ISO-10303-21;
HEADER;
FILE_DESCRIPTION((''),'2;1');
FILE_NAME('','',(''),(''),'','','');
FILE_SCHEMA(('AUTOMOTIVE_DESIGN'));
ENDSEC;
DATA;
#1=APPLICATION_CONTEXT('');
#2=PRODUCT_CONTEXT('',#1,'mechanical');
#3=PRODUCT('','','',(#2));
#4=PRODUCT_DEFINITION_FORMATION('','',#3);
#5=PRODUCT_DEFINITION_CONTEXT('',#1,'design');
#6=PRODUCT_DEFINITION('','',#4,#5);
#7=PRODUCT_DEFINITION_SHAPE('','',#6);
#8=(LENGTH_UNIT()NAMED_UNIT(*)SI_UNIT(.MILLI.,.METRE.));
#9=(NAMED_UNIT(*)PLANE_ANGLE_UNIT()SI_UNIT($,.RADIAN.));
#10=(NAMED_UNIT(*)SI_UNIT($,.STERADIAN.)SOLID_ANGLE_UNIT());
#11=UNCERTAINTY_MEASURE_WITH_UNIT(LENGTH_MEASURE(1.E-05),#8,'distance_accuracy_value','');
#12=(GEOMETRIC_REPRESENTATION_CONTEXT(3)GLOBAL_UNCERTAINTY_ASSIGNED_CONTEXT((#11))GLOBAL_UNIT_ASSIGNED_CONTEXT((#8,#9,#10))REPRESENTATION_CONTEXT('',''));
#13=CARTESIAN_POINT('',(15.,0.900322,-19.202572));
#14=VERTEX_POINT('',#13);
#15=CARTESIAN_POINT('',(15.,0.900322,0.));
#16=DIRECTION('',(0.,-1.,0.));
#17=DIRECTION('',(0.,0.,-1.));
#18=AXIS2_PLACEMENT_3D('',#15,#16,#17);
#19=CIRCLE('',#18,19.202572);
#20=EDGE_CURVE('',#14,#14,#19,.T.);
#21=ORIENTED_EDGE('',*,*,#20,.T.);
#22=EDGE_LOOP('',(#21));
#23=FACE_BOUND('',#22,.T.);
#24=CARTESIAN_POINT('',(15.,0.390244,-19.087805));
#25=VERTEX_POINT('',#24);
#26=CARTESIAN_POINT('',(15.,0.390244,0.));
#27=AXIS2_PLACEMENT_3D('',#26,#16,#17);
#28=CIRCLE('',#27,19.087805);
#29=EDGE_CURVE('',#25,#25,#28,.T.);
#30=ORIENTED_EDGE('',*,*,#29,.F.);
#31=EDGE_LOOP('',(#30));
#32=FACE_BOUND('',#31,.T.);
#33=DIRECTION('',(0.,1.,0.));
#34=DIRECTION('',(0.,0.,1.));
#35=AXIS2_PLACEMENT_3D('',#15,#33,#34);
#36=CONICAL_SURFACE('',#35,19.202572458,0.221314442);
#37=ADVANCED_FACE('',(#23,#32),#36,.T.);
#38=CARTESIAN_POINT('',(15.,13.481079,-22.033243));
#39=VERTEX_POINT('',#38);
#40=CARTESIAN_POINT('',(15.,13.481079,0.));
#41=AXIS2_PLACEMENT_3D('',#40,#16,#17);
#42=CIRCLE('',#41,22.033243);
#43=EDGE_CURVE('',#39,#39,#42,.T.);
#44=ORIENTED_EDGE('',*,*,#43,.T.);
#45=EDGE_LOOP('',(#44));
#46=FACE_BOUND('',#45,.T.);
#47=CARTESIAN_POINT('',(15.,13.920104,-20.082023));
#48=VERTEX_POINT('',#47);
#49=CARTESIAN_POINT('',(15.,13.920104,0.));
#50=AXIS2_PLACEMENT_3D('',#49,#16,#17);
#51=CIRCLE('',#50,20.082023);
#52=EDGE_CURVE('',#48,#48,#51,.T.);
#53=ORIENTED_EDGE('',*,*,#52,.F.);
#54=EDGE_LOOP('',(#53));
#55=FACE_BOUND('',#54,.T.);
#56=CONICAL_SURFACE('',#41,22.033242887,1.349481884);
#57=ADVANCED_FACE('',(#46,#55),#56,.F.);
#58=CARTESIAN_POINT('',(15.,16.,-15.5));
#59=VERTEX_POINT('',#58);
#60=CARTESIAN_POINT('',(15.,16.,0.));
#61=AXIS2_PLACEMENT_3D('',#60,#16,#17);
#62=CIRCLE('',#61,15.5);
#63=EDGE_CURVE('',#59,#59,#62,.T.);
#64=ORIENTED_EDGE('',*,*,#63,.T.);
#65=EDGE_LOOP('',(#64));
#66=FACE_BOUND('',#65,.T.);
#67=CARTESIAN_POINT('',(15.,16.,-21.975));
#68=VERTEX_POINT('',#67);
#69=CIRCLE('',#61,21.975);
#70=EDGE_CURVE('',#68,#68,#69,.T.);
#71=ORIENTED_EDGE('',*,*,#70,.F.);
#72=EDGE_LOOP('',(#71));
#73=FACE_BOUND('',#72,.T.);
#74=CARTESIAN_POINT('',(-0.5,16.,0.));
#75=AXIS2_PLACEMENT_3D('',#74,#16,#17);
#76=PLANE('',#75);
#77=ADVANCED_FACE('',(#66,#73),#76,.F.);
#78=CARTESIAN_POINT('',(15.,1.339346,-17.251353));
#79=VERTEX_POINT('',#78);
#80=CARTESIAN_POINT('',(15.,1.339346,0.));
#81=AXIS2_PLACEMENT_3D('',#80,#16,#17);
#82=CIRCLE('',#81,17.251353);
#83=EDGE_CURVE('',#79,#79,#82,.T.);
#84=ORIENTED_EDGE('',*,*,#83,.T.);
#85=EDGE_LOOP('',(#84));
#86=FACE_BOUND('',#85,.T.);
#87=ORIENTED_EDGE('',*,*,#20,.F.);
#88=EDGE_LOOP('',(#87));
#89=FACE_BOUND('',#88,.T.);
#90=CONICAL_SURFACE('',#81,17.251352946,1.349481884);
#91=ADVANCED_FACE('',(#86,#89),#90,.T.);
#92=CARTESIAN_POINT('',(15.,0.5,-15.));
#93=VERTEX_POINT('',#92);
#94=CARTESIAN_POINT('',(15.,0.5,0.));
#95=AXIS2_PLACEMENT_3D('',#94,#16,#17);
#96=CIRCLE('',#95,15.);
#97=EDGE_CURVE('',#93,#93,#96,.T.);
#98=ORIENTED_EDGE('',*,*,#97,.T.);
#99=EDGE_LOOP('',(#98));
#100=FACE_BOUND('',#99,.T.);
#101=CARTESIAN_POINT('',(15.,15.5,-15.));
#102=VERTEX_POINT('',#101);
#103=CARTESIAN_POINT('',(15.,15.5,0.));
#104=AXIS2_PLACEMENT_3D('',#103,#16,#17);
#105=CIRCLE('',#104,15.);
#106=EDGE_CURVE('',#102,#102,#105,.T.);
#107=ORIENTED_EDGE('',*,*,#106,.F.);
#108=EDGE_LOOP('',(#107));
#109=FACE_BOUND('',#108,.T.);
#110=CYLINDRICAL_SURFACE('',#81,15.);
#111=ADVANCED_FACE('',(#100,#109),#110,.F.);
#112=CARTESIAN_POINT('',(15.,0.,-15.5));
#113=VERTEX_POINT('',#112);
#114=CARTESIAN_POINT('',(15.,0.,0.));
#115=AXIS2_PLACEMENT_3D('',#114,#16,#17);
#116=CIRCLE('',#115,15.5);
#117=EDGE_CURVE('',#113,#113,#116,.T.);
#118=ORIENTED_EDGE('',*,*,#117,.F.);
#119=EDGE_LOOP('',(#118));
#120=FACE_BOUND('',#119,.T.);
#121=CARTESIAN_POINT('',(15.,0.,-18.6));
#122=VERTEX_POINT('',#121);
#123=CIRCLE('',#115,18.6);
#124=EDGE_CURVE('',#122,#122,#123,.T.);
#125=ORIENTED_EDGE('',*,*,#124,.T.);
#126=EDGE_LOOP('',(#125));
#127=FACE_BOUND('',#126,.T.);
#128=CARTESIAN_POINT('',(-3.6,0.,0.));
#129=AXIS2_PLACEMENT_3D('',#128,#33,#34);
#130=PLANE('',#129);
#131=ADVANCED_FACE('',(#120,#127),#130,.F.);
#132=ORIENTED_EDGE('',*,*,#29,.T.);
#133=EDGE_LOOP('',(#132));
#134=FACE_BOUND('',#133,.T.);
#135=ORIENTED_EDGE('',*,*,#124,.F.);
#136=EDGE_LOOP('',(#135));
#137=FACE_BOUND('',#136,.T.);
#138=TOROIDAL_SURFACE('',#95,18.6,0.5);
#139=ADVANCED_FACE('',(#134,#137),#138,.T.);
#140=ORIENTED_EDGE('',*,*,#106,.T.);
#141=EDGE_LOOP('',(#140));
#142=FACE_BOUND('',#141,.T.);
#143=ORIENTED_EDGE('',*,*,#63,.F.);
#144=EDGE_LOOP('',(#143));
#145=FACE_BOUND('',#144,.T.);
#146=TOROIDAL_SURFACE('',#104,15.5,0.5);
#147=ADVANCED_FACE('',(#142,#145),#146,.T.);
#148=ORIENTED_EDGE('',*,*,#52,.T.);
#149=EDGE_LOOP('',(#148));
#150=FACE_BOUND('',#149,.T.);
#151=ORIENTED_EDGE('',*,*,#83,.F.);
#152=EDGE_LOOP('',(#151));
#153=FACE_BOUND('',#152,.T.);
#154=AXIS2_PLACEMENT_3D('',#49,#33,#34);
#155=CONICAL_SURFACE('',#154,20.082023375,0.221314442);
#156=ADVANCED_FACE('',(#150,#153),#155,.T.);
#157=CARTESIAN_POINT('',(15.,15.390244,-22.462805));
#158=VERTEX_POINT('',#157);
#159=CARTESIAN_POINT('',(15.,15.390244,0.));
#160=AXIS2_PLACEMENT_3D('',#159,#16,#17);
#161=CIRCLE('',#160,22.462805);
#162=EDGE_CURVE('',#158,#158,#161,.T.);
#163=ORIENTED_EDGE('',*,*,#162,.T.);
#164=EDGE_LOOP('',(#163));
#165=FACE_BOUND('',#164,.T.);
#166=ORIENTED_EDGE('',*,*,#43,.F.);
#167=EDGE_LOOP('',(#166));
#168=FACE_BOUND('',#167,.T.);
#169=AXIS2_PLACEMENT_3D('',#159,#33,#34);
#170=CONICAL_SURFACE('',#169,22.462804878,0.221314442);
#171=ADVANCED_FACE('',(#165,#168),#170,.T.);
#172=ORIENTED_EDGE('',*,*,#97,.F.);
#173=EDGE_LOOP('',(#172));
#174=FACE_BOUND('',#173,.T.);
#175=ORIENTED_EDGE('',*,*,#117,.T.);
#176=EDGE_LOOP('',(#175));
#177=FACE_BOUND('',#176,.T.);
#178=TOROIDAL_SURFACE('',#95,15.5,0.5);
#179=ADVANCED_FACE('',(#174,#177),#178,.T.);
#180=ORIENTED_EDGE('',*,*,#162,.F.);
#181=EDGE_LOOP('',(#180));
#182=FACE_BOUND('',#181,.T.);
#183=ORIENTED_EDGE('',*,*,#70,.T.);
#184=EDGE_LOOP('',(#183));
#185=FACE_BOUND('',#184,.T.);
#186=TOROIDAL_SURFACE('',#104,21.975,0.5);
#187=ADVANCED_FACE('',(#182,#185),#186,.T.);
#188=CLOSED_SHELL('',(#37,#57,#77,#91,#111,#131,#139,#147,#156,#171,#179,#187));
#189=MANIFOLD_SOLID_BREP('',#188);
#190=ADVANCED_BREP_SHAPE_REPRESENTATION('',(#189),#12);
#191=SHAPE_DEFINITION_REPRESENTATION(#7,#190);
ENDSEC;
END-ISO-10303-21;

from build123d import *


with BuildPart() as part:
    # Çizim1 → Döndür1 (revolve)
    with BuildSketch(Plane.XY, mode=Mode.PRIVATE) as d_nd_r1_sk:
        with BuildLine():
            Line((0, 0.5), (0, 15.5))
            ThreePointArc((0, 15.5), (-0.146446609, 15.853553391), (-0.5, 16))
            Line((-0.5, 16), (-6.975, 16))
            ThreePointArc((-6.975, 16), (-7.365434405, 15.812347524), (-7.462804878, 15.390243902))
            Line((-7.462804878, 15.390243902), (-7.033242887, 13.481079498))
            Line((-7.033242887, 13.481079498), (-5.082023375, 13.920103888))
            Line((-5.082023375, 13.920103888), (-2.251352946, 1.339346427))
            Line((-2.251352946, 1.339346427), (-4.202572458, 0.900322037))
            Line((-4.202572458, 0.900322037), (-4.087804878, 0.390243902))
            ThreePointArc((-4.087804878, 0.390243902), (-3.912347524, 0.109565595), (-3.6, 0))
            Line((-3.6, 0), (-0.5, 0))
            ThreePointArc((-0.5, 0), (-0.146446609, 0.146446609), (0, 0.5))
        make_face()
    revolve(d_nd_r1_sk.sketch.rotate(Axis((15, 1.339346427, 0), (0, 1, 0)), 270), axis=Axis((15, 1.339346427, 0), (0, 1, 0)))


solid = part.part
